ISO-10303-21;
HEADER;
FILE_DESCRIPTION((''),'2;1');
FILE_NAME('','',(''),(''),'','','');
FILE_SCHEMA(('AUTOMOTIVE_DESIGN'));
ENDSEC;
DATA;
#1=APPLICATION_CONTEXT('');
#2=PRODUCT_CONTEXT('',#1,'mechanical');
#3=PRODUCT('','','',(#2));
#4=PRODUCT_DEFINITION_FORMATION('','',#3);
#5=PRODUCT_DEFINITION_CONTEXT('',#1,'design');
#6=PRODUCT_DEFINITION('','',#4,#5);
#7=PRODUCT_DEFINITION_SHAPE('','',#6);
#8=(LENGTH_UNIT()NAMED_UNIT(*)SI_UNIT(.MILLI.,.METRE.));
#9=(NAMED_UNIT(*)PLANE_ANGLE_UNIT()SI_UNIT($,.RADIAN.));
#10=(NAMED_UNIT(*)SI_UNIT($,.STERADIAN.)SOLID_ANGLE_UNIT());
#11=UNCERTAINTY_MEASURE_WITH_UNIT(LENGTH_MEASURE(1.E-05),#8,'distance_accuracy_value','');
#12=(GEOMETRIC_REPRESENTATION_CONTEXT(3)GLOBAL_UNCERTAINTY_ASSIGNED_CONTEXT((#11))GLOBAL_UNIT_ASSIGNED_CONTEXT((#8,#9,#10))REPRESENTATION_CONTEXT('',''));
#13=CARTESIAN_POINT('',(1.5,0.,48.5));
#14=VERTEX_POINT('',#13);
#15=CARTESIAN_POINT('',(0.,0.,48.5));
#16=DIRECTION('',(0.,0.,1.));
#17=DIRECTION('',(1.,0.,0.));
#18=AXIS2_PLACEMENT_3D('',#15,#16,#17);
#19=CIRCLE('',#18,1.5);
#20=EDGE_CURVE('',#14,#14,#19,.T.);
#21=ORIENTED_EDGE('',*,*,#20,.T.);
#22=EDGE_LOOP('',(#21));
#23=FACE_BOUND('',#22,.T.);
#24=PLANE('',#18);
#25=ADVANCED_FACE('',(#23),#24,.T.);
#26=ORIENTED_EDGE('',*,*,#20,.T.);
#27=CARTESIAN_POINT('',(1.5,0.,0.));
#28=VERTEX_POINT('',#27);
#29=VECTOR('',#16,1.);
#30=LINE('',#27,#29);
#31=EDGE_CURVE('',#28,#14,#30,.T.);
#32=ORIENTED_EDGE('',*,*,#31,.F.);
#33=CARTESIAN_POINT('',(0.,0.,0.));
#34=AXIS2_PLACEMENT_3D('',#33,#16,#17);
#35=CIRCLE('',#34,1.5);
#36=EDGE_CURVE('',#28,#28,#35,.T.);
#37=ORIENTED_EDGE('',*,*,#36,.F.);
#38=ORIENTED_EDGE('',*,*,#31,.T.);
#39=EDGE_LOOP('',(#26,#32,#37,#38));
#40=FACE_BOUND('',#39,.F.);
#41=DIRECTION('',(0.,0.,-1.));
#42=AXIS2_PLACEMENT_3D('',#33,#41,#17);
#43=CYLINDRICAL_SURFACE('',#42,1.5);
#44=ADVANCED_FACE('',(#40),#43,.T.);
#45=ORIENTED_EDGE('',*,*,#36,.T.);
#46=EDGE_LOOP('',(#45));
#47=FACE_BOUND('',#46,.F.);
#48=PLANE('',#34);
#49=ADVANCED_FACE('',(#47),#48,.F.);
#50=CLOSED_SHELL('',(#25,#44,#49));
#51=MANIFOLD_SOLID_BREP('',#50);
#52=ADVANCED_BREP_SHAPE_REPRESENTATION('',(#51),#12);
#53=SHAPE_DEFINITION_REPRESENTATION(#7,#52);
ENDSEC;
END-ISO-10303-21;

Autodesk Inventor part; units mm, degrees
ref_plane "YZ Plane" through (0, 0, 0) normal (1, 0, 0) x (0, 1, 0)
ref_plane "XZ Plane" through (0, 0, 0) normal (0, 1, 0) x (-1, 0, 0)
ref_plane "XY Plane" through (0, 0, 0) normal (0, 0, 1) x (1, 0, 0)
sketch "スケッチ1" plane through (0, 0, 0) normal (0, 0, 1) x (1, 0, 0)
  circle A0 centre (0, 0) radius 1.5
  dimension "d0" = 3
extrude "押し出し1" add sketch "スケッチ1" along normal blind 48.5
properties part number "タミヤダンパー5" material "真鍮"
